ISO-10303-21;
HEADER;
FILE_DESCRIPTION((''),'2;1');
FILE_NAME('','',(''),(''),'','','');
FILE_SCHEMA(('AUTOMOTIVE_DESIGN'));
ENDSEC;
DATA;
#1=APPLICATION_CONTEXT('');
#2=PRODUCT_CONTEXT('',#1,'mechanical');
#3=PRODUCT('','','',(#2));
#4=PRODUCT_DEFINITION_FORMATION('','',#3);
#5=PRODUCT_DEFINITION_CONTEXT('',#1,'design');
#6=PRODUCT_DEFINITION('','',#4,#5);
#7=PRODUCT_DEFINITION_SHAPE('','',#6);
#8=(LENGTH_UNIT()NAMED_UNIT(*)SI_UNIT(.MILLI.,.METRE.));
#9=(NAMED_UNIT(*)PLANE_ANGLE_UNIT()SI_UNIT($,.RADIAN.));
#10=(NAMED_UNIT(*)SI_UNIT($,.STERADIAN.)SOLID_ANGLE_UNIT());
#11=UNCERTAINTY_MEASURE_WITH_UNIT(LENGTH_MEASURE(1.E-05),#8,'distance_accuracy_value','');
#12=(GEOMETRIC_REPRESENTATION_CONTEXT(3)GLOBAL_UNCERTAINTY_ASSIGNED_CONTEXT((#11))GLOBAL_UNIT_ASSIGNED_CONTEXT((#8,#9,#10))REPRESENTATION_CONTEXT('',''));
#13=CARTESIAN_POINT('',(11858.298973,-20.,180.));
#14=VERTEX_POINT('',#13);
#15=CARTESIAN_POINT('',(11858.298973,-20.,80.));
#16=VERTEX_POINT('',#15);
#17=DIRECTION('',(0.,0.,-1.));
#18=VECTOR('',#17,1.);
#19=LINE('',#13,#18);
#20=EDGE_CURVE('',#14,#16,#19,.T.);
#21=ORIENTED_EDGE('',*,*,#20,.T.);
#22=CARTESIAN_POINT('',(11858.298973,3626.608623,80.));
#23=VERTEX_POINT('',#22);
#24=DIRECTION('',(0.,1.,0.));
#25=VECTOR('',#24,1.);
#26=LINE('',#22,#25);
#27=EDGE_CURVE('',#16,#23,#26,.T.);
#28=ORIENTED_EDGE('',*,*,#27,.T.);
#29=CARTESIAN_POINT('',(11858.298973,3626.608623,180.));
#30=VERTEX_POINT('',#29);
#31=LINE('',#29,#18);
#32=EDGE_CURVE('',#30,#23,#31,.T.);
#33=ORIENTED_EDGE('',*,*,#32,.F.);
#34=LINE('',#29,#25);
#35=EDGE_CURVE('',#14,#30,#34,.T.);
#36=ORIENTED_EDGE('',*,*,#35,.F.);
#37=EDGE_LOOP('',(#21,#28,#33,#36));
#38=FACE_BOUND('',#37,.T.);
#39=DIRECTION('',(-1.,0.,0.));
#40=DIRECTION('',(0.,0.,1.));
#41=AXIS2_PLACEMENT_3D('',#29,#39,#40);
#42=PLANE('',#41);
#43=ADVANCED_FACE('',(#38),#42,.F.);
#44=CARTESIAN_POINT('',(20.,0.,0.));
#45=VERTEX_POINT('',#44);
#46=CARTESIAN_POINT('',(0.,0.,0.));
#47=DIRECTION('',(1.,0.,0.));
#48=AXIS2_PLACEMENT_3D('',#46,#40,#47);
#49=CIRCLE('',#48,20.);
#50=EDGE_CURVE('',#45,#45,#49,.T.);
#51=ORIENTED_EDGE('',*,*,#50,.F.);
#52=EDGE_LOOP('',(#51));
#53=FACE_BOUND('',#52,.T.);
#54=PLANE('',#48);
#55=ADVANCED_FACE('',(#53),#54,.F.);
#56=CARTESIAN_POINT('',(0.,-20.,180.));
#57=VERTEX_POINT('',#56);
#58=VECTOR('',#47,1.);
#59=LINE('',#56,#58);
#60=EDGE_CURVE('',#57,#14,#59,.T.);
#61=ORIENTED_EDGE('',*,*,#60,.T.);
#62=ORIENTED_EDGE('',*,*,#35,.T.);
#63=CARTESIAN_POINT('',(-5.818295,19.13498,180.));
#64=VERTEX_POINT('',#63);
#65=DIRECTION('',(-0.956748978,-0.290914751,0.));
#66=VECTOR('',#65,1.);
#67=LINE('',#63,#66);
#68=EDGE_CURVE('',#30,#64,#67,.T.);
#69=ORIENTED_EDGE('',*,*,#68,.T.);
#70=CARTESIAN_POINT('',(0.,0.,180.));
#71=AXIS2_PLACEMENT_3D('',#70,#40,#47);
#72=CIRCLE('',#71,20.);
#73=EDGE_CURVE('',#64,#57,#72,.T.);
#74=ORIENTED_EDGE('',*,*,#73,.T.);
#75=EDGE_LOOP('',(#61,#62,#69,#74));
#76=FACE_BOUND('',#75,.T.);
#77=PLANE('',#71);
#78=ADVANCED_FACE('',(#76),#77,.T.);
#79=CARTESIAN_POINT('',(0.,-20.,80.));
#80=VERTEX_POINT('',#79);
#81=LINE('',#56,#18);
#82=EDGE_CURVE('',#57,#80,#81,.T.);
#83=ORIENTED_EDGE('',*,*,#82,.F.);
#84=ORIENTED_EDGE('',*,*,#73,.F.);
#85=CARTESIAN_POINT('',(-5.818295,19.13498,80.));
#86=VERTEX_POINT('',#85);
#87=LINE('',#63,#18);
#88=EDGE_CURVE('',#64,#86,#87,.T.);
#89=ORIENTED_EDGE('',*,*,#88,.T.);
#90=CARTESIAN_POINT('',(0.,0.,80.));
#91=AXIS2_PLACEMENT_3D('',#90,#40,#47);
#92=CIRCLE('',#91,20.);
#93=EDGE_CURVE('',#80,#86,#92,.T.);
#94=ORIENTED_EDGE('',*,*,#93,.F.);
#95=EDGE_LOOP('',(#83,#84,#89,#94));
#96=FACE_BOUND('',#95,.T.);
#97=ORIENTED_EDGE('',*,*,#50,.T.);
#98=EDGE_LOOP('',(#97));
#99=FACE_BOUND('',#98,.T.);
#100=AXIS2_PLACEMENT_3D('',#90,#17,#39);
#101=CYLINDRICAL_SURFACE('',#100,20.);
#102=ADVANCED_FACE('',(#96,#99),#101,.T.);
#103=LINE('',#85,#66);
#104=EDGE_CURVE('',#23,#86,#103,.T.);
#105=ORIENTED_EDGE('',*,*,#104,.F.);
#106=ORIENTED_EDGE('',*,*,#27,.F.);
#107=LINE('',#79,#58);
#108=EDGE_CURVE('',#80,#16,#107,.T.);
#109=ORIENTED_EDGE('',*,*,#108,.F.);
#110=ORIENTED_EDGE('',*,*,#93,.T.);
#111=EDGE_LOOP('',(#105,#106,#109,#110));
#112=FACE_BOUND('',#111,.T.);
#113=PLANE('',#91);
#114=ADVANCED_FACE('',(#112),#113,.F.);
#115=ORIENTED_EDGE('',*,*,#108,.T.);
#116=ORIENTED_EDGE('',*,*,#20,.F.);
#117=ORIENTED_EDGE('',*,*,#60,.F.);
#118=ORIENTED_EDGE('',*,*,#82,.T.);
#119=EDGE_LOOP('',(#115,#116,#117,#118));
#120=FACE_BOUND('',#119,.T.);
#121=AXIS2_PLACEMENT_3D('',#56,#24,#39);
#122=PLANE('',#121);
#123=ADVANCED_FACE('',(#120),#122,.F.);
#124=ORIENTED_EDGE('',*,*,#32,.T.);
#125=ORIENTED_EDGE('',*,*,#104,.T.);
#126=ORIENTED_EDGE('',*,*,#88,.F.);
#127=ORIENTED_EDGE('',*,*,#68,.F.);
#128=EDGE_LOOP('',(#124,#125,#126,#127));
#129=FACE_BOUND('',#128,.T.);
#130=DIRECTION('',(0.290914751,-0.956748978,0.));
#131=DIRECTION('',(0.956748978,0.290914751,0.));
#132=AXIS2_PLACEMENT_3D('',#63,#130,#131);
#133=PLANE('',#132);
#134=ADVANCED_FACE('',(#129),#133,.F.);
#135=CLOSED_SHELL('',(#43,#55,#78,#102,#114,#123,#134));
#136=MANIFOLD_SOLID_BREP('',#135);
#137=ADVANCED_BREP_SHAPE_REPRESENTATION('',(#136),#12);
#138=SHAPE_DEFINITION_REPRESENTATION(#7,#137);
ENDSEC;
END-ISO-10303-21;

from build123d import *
from build123d.topology import SkipClean

# Parameters (mm, degrees)
SKETCH_1_R      = 20
EXTRUDE_1_DEPTH = 80
EXTRUDE_2_DEPTH = 100


with BuildPart() as part:
    # 草图1 → 凸台-拉伸1 (new body)
    with BuildSketch(Plane.XY):
        Circle(SKETCH_1_R)
    extrude(amount=EXTRUDE_1_DEPTH)

    # 草图2 → 凸台-拉伸2 (add)
    with SkipClean():  # the faces are left unmerged after this step: merging them gives an invalid solid
        with BuildSketch(Plane.XY.offset(80)):
            with BuildLine():
                Line((-5.818295023, 19.134979567), (11858.298972938, 3626.608622721))
                Line((11858.298972938, 3626.608622721), (11858.298972938, -20))
                Line((11858.298972938, -20), (0, -20))
                ThreePointArc((0, -20), (-19.78256292, -2.941122971), (-5.818295023, 19.134979567))
            make_face()
        extrude(amount=EXTRUDE_2_DEPTH)


solid = part.part
